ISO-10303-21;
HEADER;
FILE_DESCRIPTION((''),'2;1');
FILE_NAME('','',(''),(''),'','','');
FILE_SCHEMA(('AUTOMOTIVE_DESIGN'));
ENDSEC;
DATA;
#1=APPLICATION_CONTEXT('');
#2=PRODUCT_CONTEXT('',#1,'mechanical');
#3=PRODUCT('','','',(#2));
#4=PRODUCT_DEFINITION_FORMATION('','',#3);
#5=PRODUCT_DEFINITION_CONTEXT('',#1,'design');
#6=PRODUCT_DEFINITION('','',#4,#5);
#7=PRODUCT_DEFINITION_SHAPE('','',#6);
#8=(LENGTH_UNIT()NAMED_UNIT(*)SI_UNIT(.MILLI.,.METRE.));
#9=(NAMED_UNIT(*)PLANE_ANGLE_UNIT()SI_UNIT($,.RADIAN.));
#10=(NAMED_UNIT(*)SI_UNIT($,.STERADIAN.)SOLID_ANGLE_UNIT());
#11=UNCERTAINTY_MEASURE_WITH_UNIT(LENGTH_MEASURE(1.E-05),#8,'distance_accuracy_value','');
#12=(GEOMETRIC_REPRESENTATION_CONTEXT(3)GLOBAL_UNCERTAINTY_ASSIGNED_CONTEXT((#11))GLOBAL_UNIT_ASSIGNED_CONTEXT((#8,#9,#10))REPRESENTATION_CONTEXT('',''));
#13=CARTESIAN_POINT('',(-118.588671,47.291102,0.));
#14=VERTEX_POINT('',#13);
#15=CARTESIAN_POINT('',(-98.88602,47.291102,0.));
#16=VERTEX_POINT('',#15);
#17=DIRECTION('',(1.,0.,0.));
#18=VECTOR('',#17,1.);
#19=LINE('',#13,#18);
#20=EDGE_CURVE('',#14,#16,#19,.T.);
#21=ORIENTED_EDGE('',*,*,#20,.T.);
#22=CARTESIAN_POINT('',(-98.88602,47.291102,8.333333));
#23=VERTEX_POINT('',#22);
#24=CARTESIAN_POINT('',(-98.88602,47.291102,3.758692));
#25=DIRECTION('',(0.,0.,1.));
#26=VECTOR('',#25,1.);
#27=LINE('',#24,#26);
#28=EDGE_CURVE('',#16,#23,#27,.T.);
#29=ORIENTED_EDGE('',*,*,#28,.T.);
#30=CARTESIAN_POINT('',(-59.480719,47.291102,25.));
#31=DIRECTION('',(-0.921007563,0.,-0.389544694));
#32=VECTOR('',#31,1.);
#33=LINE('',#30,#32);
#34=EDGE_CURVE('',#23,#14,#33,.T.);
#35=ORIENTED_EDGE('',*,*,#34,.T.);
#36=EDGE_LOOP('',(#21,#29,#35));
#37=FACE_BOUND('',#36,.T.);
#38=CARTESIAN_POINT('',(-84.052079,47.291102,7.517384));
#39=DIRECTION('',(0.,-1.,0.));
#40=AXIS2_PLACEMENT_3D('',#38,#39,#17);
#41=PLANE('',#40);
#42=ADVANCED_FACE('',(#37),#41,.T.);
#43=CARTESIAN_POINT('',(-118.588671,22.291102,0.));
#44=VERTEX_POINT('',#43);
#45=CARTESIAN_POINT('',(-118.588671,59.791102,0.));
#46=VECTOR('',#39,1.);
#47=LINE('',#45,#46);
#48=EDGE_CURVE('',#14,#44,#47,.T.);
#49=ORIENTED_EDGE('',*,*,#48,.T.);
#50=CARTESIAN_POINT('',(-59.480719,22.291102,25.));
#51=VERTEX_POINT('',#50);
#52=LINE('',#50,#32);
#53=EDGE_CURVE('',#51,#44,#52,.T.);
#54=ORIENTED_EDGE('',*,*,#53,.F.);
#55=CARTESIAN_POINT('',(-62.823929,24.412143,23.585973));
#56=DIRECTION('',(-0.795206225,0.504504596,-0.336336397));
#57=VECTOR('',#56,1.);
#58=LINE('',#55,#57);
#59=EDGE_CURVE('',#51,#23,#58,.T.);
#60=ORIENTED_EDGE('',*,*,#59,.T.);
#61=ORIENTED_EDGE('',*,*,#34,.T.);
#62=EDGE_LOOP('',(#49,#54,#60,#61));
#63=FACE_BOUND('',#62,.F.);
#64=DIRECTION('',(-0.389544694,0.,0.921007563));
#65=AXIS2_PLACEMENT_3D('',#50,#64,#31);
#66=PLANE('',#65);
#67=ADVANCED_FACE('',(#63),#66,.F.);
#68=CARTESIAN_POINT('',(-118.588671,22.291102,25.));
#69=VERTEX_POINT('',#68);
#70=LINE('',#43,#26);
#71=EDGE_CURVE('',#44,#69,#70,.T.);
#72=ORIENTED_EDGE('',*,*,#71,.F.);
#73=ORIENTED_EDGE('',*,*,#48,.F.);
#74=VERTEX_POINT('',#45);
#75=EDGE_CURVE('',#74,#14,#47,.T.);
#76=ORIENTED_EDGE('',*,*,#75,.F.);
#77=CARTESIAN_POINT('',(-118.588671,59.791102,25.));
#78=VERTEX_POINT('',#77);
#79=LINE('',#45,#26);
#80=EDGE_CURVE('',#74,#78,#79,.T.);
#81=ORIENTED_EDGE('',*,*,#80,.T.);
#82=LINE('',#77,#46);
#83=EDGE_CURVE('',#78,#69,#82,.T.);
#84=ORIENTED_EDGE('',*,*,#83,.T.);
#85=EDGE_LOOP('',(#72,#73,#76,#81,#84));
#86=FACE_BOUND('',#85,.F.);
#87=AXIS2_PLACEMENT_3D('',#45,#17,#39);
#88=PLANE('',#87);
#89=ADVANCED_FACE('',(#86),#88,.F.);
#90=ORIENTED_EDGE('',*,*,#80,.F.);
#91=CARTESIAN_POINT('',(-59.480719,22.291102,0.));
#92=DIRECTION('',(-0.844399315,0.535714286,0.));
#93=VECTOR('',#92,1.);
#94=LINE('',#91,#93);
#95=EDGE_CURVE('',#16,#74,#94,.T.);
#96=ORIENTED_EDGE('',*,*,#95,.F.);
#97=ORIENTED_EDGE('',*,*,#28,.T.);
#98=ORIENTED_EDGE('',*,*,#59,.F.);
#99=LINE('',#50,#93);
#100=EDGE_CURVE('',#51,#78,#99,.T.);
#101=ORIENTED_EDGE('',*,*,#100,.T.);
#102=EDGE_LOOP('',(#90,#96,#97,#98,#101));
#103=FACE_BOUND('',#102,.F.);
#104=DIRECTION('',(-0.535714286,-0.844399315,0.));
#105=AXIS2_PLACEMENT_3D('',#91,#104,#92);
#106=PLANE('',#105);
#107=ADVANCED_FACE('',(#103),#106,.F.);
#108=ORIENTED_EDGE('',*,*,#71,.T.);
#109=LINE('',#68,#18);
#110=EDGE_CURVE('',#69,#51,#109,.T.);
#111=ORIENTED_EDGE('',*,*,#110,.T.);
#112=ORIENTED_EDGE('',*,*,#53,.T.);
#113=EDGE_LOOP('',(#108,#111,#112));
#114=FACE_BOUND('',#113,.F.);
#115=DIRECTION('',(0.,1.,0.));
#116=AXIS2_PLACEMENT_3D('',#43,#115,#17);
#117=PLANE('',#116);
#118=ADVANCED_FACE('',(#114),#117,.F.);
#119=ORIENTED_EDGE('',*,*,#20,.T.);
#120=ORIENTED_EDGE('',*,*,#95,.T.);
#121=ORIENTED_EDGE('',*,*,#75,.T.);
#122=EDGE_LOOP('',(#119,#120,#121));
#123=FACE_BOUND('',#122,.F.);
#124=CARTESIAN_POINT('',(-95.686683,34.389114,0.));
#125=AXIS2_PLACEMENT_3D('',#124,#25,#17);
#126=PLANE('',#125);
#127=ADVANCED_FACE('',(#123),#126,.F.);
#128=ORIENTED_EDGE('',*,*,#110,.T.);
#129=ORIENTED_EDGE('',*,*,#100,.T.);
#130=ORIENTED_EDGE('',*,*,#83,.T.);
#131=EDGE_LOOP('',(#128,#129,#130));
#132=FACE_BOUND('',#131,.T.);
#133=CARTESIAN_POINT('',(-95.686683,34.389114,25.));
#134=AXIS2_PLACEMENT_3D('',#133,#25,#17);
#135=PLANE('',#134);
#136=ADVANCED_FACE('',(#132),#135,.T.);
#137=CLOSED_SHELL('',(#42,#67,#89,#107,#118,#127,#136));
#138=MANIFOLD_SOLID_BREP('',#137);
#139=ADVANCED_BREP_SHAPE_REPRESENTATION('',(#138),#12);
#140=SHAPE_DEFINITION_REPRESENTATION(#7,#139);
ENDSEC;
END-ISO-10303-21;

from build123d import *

# Parameters (mm, degrees)
F1_DEPTH = 25
F3_DEPTH = 25


with BuildPart() as f1:
    # F0 (on Top) → F1 (new body)
    with BuildSketch(Plane.XY):
        Polygon((-59.480719, 22.291102), (-118.588671, 59.791102), (-118.588671, 22.291102), align=None)
    extrude(amount=F1_DEPTH)

    # F2 (on face) → F3 (cut)
    with BuildSketch(Plane.XZ.offset(-22.291102)):
        Polygon((-59.480719, 25), (-118.588671, 0), (-59.480719, 0), align=None)
    extrude(amount=-F3_DEPTH, mode=Mode.SUBTRACT)


solid = f1.part
